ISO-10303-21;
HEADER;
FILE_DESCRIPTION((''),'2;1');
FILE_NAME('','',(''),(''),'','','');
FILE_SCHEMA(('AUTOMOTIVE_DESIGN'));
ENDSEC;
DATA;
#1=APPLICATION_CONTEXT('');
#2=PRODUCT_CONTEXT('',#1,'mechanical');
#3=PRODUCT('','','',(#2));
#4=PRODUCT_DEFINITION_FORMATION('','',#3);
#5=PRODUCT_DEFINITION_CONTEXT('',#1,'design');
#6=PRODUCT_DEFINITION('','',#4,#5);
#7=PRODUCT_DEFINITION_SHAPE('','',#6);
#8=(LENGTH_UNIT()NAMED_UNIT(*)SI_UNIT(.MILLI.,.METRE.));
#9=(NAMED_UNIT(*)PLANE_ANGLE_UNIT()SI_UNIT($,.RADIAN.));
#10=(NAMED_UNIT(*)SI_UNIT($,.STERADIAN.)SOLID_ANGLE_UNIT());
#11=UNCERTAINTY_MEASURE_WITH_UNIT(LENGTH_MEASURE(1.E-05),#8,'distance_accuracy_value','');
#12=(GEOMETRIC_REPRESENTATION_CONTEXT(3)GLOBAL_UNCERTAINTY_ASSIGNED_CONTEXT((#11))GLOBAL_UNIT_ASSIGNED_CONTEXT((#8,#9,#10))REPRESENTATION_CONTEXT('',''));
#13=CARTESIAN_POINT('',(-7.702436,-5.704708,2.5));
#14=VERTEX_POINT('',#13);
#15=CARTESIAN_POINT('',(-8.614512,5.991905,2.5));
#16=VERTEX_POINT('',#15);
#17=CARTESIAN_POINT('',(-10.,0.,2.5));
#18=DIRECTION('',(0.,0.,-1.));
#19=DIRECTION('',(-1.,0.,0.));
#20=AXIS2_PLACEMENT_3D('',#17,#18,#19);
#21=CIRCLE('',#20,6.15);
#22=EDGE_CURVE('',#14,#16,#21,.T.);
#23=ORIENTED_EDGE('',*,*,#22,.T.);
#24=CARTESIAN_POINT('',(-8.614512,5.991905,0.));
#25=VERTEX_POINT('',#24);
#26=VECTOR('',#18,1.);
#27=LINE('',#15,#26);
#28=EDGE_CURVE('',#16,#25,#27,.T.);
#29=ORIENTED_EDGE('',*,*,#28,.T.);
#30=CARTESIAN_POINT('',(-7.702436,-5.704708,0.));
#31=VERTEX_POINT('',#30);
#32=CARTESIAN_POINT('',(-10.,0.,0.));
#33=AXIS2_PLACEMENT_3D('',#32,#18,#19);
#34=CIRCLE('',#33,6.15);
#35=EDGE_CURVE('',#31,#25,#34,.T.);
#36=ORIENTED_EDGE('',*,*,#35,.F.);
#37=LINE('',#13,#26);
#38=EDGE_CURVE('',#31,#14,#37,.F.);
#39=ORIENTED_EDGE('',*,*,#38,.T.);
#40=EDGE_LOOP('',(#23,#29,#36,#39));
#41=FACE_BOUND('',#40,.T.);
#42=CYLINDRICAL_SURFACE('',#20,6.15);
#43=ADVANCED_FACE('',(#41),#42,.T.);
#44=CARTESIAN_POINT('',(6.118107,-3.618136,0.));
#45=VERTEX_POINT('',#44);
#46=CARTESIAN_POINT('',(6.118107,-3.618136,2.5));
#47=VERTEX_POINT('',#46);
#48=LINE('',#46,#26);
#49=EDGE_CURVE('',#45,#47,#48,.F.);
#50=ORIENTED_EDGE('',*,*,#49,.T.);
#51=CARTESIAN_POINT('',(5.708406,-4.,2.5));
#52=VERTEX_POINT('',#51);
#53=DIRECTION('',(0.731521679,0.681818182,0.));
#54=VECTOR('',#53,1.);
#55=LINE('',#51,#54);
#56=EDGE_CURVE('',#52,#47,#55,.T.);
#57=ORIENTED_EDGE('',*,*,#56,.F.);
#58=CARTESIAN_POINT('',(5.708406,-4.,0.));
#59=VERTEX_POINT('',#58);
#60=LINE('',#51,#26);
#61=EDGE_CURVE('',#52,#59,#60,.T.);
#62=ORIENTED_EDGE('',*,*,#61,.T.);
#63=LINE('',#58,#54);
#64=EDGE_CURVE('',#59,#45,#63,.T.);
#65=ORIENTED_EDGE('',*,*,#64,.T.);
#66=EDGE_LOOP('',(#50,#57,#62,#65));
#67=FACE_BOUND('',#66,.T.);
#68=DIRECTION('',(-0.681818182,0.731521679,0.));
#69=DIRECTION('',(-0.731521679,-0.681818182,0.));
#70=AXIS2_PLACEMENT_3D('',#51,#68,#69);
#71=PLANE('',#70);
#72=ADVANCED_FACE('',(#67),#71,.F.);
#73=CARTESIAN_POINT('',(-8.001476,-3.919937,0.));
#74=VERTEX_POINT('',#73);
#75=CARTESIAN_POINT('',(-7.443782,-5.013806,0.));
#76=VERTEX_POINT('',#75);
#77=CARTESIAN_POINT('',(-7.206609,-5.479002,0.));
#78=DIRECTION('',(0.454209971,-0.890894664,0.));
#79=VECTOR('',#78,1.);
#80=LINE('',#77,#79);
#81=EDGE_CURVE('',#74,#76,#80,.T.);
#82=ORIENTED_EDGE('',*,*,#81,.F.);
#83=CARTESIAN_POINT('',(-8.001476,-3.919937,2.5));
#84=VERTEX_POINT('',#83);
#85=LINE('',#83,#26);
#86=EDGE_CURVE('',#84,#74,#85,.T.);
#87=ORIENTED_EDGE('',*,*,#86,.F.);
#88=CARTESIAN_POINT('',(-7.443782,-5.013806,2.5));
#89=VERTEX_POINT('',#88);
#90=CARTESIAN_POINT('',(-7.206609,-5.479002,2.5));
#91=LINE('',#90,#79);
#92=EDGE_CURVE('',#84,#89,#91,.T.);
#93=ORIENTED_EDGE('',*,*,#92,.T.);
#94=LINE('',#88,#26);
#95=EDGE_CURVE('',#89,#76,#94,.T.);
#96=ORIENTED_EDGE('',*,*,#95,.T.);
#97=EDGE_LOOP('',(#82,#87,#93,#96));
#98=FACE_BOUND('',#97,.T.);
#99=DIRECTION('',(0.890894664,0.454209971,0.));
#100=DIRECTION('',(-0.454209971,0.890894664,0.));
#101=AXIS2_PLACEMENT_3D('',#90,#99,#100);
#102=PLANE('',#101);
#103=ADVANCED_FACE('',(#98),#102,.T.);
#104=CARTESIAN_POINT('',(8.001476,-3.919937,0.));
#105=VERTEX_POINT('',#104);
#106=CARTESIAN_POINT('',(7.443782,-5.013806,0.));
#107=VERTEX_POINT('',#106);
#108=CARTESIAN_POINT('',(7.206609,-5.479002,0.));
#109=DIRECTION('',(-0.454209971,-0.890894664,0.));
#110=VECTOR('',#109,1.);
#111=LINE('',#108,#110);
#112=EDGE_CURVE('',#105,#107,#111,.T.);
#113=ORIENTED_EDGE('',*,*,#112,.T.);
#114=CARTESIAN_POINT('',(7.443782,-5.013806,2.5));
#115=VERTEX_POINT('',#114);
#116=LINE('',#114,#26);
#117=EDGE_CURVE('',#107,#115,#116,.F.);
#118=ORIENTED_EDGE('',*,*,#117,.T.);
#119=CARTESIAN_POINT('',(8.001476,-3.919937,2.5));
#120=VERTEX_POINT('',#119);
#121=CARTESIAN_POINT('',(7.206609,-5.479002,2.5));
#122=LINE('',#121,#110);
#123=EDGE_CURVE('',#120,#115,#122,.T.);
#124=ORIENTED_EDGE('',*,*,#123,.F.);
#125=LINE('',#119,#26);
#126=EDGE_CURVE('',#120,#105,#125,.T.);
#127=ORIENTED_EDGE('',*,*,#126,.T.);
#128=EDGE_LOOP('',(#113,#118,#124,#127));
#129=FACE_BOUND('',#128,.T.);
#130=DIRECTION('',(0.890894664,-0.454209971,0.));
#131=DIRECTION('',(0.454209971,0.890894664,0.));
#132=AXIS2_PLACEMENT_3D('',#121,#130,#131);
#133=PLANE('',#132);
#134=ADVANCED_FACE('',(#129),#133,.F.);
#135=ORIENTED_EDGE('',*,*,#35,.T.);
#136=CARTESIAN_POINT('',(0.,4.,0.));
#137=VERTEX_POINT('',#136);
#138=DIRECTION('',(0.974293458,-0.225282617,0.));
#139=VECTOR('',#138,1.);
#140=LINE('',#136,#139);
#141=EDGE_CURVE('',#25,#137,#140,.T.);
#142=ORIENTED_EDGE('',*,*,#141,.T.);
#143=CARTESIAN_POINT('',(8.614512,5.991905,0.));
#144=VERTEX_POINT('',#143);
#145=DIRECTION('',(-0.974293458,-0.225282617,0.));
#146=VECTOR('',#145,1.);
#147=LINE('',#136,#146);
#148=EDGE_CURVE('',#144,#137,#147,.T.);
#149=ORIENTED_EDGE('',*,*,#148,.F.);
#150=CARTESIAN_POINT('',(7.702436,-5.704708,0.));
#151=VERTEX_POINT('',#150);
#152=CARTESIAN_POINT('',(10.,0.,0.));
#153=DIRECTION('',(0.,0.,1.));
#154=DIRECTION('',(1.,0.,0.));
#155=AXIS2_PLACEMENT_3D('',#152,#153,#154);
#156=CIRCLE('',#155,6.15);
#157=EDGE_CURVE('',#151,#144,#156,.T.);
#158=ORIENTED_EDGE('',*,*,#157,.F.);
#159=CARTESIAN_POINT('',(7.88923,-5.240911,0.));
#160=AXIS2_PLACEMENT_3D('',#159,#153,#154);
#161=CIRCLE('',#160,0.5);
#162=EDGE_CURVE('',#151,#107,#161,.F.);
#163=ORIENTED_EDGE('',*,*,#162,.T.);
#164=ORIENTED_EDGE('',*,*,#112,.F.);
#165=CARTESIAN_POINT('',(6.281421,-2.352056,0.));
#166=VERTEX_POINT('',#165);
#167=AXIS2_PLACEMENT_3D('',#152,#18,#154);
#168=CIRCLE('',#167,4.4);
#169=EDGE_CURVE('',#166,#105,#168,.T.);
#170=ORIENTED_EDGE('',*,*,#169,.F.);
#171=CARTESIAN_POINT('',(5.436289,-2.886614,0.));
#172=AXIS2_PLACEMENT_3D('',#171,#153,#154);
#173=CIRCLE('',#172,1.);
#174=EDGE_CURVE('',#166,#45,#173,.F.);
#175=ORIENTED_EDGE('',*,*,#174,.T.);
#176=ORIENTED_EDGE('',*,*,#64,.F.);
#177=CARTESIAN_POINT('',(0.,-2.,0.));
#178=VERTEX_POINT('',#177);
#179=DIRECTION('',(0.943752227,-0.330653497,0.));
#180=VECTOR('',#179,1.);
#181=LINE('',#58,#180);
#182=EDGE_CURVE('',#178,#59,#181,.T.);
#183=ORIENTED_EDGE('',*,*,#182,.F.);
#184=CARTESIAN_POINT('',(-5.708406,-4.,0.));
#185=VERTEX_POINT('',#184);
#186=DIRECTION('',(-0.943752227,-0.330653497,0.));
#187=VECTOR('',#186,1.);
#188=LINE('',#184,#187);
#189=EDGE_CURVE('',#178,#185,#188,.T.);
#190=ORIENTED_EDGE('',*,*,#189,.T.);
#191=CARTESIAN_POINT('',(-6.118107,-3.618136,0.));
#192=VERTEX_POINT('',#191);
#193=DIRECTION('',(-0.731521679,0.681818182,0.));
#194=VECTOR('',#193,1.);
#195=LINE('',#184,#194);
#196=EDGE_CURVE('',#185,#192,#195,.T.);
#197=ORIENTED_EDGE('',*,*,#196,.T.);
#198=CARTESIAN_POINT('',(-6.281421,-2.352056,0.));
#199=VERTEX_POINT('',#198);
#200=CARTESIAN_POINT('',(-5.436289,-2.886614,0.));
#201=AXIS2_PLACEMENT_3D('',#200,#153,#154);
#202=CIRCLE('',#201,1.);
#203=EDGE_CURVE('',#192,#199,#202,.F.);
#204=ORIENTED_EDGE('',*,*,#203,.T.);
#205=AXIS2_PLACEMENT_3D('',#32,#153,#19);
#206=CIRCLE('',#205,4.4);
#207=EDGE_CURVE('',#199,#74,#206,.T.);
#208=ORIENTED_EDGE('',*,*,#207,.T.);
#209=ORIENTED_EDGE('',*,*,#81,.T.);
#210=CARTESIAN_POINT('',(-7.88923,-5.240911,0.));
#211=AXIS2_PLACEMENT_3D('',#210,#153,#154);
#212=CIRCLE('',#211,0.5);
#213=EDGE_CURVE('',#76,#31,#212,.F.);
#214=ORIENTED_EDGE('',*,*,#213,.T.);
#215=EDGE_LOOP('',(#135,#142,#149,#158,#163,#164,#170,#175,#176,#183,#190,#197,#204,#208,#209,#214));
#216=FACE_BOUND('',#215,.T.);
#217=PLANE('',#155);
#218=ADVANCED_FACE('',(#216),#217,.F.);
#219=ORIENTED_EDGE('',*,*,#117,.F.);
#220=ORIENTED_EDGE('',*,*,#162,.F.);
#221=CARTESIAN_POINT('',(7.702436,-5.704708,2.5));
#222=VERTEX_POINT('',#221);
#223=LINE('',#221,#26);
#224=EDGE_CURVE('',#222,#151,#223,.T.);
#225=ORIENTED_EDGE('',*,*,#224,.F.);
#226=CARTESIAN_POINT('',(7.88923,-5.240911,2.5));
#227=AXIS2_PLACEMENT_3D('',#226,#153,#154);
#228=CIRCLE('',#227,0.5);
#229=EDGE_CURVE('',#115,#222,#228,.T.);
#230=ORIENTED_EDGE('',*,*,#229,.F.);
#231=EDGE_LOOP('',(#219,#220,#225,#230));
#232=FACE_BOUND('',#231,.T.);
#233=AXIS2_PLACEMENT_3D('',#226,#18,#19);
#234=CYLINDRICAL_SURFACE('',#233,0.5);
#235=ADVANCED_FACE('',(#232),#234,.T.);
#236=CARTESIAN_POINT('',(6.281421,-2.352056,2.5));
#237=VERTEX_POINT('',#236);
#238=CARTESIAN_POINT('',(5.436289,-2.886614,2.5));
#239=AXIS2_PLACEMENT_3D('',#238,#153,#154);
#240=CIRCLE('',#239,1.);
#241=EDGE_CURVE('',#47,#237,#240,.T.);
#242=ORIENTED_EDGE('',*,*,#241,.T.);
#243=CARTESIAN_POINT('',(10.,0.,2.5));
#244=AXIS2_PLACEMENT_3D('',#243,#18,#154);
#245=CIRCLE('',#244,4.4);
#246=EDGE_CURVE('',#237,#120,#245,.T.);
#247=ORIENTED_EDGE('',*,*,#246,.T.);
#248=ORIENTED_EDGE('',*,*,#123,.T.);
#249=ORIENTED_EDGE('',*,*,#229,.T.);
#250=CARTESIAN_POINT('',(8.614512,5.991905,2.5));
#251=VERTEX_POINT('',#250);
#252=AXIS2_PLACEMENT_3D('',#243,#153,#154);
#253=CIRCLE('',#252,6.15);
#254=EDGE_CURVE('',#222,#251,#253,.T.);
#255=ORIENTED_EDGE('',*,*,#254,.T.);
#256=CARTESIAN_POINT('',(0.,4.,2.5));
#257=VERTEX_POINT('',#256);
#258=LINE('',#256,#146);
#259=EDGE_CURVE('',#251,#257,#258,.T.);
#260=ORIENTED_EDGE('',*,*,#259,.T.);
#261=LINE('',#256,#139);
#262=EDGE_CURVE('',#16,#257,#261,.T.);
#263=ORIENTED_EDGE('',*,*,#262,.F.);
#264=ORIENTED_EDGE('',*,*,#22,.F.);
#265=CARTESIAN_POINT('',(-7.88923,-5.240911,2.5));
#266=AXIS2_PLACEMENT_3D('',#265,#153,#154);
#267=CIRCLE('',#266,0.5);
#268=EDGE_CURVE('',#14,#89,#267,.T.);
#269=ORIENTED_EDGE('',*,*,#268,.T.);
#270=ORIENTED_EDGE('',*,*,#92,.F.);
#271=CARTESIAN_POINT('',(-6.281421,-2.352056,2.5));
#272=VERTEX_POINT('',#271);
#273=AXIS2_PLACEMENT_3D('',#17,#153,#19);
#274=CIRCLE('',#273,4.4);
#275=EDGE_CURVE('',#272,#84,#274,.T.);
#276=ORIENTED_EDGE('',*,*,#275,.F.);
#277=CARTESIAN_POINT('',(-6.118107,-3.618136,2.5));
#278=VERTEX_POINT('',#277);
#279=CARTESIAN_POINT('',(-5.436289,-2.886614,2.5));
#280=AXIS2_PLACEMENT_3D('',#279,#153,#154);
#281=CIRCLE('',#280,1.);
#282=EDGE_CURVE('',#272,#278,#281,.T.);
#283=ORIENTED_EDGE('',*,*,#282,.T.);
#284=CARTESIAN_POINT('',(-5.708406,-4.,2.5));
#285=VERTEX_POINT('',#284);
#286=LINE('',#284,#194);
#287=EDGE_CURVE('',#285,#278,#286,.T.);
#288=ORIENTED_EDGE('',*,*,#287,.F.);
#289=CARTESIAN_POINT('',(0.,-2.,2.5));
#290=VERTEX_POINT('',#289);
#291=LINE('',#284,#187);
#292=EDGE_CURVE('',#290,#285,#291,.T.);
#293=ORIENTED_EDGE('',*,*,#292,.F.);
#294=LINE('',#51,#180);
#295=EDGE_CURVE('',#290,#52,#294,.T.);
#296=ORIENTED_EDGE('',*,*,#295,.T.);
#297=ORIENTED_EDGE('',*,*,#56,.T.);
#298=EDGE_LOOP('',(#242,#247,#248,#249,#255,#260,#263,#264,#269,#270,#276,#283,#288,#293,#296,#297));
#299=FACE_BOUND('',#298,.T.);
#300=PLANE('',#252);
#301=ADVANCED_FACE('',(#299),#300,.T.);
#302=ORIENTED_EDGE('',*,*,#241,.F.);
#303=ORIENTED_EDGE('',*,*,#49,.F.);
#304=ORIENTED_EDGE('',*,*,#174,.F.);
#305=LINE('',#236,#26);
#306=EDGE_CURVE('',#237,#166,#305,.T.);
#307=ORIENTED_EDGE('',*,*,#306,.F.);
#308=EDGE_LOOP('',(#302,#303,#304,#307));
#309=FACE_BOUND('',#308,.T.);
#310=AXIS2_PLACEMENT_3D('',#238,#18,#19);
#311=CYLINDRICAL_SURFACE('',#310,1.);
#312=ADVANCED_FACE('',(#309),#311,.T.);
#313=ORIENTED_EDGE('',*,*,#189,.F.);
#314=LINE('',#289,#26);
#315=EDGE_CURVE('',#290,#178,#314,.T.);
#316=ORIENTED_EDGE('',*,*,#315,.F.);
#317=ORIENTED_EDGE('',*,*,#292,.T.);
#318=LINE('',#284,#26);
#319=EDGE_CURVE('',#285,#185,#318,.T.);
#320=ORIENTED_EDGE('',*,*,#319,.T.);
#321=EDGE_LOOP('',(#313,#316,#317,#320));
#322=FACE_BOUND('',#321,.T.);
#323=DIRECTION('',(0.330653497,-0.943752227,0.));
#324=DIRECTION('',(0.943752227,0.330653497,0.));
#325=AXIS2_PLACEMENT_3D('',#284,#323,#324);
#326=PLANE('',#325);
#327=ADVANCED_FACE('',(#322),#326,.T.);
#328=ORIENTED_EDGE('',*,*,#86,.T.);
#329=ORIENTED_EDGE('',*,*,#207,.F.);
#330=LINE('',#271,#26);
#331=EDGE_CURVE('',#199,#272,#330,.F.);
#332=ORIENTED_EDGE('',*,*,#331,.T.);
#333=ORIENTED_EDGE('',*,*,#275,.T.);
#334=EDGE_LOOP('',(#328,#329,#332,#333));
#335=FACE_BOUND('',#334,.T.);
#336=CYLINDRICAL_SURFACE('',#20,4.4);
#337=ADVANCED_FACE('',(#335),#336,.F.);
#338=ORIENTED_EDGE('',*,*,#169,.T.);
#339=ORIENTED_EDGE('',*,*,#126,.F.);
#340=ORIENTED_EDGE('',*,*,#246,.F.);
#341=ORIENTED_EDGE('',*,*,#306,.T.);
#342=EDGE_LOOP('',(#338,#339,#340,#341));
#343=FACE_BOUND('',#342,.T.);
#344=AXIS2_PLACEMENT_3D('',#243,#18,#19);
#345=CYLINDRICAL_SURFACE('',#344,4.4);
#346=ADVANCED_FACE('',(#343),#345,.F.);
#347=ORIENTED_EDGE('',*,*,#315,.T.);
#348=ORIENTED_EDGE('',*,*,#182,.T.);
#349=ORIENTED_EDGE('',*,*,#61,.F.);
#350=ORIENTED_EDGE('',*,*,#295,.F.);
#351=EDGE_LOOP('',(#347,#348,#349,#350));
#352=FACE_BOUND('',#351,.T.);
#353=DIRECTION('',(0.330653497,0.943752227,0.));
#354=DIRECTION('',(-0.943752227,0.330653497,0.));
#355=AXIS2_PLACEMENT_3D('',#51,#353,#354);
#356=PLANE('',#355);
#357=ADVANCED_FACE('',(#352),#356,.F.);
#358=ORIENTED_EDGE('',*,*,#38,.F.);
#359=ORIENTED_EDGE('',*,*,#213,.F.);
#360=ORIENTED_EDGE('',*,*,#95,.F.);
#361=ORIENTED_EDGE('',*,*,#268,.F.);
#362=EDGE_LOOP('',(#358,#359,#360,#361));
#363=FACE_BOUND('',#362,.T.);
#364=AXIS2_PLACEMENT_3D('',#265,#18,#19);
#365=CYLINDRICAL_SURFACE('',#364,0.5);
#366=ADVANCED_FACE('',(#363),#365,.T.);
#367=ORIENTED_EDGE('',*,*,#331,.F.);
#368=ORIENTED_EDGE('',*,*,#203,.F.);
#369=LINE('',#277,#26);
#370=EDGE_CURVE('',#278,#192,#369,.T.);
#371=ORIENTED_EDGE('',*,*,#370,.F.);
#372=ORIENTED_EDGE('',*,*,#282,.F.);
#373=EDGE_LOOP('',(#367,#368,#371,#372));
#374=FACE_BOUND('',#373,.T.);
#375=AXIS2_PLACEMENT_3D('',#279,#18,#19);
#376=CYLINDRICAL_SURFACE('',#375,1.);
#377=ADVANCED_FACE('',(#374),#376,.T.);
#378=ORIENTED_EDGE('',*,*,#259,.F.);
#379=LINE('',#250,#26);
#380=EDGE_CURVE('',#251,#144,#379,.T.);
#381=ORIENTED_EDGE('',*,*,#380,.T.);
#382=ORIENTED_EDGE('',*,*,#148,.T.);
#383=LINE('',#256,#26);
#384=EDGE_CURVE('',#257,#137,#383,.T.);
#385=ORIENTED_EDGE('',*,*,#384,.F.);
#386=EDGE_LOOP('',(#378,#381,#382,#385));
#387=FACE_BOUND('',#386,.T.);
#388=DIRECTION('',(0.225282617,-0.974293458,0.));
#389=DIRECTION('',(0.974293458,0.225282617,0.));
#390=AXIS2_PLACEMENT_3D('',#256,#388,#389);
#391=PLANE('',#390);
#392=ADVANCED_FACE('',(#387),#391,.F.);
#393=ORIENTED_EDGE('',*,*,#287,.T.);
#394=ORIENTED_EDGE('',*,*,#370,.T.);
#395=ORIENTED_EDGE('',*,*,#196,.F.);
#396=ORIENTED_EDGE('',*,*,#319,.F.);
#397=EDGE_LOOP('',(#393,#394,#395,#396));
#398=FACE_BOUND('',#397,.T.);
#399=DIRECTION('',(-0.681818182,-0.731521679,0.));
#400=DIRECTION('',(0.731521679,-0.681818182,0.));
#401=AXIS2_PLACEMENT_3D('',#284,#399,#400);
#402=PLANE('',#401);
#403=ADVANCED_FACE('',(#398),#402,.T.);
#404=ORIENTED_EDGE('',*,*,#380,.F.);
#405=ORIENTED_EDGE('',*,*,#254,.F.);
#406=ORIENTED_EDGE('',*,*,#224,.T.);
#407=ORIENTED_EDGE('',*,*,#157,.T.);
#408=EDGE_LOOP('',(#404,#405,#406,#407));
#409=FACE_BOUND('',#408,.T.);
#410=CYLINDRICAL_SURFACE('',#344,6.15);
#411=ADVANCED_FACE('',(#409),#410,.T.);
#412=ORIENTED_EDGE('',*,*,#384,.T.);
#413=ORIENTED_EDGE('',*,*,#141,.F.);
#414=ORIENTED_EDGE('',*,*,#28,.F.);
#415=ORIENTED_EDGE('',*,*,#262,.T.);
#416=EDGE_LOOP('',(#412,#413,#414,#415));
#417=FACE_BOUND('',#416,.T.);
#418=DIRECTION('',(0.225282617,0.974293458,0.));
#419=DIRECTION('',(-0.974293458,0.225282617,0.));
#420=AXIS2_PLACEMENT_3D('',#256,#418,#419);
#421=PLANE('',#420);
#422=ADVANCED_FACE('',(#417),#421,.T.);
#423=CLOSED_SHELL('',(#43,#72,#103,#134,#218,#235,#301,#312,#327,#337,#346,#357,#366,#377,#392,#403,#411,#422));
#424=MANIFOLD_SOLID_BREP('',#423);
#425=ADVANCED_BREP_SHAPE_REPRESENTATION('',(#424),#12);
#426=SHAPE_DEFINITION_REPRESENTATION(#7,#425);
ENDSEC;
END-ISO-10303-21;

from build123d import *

# Parameters (mm, degrees)
BOSS_EXTRUDE1_DEPTH = 2.5
FILLET1_R           = 0.5
FILLET2_R           = 1


with BuildPart() as part:
    # Sketch1 → Boss-Extrude1 (new body)
    with BuildSketch(Plane.XY):
        with BuildLine():
            Line((0, 4), (8.614511907, 5.991904768))
            ThreePointArc((8.614511907, 5.991904768), (16.104194038, -0.749209679), (7.206608675, -5.479002182))
            Line((7.206608675, -5.479002182), (8.001476125, -3.91993652))
            ThreePointArc((8.001476125, -3.91993652), (12.64885164, 3.513343848), (6.781304612, -3))
            Line((6.781304612, -3), (5.708406149, -4))
            Line((5.708406149, -4), (0, -2))
            Line((0, -2), (0, 4))
        make_face()
    boss_extrude1 = extrude(amount=BOSS_EXTRUDE1_DEPTH)

    # Mirror1: Boss-Extrude1 across plane
    add(boss_extrude1.mirror(Plane(origin=(0, 4, 2.5), x_dir=(0, 0, 1), z_dir=(1, 0, 0))))

    # Fillet1
    fillet1_edges = [part.edges().sort_by_distance(p)[0] for p in [
        (7.206608675, -5.479002182, 1.25),
        (-7.206608675, -5.479002182, 1.25),
    ]]
    fillet(fillet1_edges, radius=FILLET1_R)

    # Fillet2
    fillet2_edges = [part.edges().sort_by_distance(p)[0] for p in [
        (6.781304612, -3, 1.25),
        (-6.781304612, -3, 1.25),
    ]]
    fillet(fillet2_edges, radius=FILLET2_R)


solid = part.part
